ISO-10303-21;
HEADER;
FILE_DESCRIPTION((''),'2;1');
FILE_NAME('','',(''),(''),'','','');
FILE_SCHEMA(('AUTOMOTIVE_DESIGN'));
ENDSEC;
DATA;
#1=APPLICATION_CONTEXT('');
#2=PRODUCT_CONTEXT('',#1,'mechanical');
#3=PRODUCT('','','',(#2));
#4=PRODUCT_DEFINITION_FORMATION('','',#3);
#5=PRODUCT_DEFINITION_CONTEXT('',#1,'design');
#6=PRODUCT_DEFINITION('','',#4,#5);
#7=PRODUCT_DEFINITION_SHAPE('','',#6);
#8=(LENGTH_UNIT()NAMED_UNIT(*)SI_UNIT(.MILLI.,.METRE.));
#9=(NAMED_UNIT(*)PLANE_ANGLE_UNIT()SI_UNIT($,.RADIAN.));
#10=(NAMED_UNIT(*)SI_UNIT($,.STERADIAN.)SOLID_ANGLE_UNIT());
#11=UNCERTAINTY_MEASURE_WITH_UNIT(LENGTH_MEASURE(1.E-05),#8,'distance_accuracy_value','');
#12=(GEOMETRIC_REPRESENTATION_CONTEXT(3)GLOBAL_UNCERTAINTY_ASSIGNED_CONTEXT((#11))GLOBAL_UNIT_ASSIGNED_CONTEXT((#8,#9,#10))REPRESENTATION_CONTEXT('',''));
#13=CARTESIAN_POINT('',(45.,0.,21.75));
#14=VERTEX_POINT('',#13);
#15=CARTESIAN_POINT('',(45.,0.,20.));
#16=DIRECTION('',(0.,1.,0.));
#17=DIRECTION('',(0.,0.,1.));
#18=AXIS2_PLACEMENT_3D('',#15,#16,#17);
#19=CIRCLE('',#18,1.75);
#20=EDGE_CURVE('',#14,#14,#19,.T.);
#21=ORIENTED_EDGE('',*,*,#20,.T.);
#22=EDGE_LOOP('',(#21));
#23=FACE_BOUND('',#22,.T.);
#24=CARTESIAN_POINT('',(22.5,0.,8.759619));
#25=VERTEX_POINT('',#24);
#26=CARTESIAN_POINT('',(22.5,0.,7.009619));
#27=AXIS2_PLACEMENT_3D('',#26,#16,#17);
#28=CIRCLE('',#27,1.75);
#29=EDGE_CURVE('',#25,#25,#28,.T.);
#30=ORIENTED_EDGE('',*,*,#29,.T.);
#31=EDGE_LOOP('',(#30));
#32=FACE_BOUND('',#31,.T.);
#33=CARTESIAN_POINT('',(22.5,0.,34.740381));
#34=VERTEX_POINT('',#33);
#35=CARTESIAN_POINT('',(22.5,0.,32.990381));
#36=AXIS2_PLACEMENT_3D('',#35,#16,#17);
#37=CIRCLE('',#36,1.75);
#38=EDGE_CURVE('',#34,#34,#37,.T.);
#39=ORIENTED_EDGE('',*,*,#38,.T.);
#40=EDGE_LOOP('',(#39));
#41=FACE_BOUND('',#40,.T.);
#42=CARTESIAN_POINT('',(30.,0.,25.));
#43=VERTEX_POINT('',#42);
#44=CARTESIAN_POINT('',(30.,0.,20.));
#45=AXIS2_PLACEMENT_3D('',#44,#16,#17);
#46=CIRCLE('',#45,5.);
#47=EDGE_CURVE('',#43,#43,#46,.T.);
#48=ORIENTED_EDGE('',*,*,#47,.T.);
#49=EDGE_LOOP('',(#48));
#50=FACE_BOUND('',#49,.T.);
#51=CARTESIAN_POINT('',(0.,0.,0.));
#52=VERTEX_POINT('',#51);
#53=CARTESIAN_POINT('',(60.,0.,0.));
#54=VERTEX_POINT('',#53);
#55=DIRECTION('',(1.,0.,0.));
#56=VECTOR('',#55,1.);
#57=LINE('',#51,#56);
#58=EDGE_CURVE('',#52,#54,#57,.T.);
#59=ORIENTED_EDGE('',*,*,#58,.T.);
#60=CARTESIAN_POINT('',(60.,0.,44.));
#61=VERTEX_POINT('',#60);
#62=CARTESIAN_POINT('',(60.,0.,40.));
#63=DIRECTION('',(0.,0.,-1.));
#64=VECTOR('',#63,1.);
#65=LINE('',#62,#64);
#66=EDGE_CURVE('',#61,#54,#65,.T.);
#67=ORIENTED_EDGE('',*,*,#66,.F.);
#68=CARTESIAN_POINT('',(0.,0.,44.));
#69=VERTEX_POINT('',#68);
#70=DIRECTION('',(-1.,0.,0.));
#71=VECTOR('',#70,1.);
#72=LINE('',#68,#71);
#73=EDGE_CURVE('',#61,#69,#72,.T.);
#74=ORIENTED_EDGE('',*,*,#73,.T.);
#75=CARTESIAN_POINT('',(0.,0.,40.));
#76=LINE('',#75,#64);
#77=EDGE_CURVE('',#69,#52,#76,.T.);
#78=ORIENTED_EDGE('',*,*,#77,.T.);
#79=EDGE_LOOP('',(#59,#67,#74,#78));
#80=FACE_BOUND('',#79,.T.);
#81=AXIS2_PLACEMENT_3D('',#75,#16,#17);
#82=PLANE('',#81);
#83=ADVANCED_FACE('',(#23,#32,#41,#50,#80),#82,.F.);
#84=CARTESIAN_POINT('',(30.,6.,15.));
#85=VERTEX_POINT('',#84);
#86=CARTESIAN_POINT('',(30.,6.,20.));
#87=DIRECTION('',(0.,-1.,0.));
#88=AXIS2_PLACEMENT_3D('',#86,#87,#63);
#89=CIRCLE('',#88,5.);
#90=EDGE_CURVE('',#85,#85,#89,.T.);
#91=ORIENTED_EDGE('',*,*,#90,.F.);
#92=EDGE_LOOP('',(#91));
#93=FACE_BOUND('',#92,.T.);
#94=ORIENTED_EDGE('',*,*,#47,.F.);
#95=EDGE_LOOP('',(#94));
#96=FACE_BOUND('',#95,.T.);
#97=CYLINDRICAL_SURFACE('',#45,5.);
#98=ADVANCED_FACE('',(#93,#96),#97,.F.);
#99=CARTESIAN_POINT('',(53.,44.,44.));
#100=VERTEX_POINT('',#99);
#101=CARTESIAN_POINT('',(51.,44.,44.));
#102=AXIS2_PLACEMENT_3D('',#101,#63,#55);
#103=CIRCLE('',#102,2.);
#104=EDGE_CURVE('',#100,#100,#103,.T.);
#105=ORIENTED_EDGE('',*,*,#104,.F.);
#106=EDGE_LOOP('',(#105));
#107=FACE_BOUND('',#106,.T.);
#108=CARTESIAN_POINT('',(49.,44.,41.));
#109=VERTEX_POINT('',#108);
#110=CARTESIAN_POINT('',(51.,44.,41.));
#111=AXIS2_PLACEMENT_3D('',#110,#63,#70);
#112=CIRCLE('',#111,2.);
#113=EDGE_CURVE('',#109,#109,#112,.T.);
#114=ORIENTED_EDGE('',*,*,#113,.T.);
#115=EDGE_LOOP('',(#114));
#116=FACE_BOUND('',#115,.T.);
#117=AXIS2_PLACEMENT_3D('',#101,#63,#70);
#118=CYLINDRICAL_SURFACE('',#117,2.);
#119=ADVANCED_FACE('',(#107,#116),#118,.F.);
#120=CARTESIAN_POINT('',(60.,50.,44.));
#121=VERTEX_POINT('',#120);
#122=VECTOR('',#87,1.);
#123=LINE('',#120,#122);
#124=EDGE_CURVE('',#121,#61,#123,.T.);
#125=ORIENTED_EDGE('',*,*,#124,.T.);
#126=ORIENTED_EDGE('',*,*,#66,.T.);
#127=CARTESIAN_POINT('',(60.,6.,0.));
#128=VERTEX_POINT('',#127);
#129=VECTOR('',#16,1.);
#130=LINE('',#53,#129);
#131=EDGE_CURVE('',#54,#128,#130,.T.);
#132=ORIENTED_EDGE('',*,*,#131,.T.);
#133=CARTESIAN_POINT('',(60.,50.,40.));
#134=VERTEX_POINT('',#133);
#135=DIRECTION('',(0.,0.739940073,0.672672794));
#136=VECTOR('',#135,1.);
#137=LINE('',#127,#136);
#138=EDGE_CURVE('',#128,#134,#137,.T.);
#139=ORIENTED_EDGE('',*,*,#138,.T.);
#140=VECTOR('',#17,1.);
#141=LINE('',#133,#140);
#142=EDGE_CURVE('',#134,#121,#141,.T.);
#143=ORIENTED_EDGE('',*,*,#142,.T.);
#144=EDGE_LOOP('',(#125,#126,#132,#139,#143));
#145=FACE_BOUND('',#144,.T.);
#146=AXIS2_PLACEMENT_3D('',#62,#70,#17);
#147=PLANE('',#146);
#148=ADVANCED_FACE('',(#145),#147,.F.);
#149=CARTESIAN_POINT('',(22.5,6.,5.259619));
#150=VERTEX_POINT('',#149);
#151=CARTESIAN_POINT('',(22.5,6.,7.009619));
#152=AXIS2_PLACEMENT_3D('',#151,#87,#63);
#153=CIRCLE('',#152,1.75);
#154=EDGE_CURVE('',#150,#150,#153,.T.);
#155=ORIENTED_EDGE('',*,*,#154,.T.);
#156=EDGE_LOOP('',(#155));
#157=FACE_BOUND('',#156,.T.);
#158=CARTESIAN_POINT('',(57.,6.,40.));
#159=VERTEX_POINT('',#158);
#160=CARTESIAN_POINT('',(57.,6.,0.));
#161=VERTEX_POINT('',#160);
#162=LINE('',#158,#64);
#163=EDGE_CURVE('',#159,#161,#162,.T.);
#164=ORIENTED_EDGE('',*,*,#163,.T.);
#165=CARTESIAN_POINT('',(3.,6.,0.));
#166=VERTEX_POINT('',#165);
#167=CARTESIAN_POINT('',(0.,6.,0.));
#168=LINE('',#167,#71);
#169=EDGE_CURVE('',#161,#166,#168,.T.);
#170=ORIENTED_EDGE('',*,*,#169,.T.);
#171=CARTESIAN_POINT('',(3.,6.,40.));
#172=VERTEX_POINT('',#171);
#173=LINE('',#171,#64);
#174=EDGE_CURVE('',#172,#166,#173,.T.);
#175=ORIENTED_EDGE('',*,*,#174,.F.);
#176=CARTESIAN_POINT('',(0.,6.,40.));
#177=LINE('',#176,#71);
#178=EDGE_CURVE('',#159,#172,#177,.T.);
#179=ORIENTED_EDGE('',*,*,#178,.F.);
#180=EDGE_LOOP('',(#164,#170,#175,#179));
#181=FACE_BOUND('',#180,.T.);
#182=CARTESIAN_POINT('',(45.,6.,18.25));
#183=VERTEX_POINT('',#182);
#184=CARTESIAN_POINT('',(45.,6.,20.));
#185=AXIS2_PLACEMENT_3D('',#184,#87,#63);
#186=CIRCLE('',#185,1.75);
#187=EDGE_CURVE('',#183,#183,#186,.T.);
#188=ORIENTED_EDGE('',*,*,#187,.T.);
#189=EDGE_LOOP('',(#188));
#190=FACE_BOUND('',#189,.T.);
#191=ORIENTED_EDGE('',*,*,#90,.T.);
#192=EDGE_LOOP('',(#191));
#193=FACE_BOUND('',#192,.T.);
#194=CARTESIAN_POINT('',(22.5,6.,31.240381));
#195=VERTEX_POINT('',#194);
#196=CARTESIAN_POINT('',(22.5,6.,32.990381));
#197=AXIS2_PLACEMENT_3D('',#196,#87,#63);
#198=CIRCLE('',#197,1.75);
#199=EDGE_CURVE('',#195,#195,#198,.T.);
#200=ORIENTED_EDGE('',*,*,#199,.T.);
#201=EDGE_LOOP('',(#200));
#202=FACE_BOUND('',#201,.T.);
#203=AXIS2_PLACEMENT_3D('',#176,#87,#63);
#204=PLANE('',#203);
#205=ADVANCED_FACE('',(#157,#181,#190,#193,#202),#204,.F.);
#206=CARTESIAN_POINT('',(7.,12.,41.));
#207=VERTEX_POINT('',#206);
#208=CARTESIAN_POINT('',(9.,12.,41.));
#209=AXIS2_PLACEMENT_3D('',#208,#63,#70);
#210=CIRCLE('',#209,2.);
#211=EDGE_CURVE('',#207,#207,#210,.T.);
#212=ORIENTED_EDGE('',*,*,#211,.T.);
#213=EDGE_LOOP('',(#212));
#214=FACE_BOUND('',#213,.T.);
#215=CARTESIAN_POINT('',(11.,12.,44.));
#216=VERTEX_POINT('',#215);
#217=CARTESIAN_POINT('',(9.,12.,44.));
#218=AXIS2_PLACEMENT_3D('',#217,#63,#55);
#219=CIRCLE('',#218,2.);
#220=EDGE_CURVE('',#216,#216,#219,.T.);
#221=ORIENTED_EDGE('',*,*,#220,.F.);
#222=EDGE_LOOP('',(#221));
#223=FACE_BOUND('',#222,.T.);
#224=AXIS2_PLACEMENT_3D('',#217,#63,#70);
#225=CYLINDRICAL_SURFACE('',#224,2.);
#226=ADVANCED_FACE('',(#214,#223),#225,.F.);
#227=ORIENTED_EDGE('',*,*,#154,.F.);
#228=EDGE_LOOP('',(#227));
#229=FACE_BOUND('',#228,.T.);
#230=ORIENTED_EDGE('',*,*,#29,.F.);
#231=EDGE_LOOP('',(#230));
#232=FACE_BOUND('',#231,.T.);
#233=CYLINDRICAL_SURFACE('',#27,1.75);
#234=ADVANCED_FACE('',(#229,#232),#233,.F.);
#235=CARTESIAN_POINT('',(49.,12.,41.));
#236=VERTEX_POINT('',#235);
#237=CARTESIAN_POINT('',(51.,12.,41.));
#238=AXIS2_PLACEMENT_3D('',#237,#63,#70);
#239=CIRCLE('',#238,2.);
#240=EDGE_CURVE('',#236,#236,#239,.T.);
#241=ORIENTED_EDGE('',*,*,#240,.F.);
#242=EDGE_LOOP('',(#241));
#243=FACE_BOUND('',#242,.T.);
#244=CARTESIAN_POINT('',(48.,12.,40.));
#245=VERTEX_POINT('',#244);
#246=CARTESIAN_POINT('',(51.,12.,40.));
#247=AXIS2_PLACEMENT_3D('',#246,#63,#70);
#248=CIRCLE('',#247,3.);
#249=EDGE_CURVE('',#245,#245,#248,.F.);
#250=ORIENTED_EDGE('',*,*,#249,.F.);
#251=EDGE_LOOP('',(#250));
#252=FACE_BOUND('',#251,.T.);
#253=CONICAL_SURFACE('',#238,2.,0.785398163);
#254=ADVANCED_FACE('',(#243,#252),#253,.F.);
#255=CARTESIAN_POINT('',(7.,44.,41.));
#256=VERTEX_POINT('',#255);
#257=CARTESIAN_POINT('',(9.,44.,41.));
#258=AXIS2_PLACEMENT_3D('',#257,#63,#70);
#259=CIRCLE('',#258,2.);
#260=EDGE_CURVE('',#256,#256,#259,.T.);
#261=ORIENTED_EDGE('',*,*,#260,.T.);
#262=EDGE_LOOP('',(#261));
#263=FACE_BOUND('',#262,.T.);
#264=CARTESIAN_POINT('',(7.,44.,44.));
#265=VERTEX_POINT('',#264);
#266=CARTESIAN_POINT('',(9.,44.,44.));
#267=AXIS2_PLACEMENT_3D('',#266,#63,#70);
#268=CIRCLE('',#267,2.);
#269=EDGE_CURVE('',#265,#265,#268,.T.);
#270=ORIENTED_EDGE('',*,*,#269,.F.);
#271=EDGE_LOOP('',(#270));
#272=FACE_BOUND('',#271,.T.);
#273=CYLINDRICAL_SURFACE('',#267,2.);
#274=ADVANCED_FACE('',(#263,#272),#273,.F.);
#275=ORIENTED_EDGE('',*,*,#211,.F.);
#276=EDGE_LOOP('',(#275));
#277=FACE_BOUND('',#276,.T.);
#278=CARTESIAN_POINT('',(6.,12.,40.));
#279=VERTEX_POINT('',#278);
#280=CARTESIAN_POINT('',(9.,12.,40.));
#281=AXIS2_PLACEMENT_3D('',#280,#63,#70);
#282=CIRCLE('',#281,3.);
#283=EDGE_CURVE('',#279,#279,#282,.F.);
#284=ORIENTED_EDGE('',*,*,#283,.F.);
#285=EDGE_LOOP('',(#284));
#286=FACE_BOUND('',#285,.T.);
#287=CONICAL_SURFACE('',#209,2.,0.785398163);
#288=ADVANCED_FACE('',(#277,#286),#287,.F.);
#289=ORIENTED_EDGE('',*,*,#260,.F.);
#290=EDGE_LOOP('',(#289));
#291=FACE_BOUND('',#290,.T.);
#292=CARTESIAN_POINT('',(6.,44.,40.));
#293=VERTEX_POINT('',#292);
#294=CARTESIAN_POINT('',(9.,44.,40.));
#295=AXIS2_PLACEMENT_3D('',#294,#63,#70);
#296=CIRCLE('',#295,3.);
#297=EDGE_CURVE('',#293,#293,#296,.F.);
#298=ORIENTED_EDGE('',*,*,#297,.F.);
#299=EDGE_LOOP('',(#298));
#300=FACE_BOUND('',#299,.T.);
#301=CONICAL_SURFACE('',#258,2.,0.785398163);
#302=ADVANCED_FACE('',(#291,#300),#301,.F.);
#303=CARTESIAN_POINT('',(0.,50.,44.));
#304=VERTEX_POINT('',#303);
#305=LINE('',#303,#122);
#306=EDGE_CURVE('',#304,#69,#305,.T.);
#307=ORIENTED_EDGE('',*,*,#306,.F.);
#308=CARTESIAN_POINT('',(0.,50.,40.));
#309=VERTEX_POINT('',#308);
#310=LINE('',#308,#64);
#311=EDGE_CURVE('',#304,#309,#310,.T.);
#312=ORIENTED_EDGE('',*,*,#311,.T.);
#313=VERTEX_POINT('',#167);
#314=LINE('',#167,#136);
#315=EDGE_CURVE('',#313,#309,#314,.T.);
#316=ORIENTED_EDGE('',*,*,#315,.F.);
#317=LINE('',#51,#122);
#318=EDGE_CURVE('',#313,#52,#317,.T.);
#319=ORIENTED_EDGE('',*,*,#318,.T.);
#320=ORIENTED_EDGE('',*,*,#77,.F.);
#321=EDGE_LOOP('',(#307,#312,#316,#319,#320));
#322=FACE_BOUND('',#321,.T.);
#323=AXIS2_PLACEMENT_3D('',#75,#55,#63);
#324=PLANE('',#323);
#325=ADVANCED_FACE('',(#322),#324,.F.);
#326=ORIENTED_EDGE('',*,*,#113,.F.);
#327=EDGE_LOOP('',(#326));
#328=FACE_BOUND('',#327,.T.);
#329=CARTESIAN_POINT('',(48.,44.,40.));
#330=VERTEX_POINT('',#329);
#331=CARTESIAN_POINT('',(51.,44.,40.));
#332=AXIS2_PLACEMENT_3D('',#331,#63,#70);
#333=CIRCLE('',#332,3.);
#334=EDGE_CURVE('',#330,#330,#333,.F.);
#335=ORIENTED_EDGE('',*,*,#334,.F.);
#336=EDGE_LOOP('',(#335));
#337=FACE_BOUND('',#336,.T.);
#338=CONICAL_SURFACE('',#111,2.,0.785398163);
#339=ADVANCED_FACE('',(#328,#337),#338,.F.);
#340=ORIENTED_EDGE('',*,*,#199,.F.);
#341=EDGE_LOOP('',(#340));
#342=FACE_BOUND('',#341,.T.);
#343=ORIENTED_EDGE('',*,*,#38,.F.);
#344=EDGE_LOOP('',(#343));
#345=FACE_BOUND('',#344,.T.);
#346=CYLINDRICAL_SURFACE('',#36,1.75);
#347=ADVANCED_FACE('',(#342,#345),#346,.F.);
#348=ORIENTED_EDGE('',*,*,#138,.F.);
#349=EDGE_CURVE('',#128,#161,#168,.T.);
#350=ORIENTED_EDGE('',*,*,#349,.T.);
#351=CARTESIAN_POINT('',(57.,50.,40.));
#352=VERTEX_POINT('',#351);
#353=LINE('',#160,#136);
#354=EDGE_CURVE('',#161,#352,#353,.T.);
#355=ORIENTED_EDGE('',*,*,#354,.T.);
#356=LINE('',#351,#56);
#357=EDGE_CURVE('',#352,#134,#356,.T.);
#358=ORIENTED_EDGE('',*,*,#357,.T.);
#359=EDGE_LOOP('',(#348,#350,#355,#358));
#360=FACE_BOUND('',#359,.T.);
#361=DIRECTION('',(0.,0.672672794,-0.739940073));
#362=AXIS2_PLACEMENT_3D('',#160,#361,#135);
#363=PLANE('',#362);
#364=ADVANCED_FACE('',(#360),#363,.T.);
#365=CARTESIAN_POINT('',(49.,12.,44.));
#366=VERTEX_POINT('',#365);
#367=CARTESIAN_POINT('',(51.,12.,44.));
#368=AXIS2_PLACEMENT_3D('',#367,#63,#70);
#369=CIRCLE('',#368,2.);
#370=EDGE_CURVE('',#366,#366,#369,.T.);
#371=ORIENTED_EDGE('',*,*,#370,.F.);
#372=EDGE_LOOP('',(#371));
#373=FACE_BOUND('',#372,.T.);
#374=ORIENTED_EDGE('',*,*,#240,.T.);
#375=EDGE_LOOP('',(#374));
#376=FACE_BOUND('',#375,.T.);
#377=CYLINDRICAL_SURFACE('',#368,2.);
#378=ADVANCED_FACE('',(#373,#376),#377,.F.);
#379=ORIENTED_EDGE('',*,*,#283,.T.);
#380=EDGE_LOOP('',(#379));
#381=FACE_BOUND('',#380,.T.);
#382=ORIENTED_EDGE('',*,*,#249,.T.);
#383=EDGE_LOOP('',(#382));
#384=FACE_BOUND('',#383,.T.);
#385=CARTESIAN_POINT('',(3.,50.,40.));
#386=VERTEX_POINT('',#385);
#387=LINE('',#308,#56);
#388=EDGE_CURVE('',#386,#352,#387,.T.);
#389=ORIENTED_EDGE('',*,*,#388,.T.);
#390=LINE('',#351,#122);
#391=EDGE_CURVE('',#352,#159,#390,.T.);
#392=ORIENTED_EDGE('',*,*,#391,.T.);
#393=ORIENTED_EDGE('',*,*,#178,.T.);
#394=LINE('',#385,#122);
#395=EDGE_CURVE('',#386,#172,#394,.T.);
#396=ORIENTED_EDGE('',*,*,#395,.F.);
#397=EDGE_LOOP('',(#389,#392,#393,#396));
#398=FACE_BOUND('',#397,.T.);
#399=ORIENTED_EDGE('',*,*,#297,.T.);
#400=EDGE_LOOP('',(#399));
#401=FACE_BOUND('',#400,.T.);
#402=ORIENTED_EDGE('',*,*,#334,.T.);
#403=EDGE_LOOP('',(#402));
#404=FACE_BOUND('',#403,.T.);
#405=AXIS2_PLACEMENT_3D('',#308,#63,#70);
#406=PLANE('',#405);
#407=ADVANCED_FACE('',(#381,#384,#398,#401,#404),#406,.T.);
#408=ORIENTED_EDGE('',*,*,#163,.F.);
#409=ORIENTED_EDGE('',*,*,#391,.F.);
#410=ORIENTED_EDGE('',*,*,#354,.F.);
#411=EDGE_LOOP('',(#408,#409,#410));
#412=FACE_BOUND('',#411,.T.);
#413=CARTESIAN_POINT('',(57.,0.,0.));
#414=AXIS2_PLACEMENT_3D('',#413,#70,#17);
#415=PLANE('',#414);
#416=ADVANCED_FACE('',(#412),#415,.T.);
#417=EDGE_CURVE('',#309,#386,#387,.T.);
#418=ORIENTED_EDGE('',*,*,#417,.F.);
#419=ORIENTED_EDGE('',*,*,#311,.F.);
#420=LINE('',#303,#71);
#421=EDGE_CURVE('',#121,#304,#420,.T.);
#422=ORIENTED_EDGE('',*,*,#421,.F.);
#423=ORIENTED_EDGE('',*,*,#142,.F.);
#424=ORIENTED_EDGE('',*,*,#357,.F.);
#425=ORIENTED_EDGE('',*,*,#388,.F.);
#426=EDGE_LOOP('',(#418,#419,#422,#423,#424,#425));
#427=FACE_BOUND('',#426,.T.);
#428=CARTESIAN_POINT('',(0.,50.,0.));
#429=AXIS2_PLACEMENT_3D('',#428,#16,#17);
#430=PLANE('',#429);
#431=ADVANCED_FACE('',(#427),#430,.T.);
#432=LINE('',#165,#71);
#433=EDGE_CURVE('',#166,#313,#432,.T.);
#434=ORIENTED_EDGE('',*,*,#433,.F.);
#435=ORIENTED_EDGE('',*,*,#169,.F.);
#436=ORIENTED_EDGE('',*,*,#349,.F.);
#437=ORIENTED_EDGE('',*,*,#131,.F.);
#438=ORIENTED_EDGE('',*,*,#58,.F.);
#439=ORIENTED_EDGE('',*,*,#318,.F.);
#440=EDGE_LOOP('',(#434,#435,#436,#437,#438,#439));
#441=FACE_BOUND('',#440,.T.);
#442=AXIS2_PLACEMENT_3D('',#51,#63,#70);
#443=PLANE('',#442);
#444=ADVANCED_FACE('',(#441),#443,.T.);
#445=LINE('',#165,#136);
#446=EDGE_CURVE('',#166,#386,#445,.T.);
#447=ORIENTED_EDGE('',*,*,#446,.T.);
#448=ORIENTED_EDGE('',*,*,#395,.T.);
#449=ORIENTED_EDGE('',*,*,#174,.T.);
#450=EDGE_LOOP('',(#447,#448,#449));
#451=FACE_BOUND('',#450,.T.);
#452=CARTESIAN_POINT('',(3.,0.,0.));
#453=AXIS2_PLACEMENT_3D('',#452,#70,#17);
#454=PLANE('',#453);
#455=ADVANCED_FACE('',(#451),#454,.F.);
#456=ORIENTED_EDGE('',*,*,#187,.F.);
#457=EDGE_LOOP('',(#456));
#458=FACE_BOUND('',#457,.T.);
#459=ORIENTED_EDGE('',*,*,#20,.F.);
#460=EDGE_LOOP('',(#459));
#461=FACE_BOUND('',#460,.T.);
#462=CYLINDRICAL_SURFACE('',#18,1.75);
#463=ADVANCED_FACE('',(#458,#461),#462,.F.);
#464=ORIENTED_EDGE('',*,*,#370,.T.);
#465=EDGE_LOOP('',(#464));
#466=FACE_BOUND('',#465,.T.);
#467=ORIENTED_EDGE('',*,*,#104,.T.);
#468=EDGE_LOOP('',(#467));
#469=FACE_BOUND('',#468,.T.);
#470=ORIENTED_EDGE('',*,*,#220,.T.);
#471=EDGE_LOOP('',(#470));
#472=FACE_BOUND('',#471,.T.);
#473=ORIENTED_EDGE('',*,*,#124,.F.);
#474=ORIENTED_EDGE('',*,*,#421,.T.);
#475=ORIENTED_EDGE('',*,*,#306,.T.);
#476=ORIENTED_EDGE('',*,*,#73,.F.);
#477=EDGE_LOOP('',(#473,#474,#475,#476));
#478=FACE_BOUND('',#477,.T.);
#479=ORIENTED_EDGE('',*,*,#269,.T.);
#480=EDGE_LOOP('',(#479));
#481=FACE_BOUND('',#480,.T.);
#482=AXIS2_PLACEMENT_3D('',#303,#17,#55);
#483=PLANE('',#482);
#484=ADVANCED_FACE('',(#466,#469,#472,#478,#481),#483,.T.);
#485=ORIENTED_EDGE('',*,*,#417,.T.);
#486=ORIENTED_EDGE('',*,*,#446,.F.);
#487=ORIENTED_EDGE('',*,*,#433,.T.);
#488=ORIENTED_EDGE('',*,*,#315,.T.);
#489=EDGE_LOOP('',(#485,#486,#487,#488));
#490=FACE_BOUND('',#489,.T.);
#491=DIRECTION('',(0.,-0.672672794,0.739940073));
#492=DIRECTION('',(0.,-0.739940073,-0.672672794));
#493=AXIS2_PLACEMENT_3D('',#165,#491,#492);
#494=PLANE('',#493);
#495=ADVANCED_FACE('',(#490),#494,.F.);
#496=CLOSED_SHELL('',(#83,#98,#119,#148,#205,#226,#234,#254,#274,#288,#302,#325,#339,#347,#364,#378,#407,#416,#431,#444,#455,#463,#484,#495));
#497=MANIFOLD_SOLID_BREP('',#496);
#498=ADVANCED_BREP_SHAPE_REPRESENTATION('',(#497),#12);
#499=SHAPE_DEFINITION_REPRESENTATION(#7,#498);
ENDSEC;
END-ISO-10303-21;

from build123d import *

# Parameters (mm, degrees)
ESQUISSE1_W                  = 60
ESQUISSE1_H                  = 6
BOSS_EXTRU_1_DEPTH           = 40
ENL_V_MAT_EXTRU_1_DEPTH      = 73.360210061
ENL_V_MAT_EXTRU_1_DEPTH_BACK = 73.360210061
ESQUISSE2_R                  = 5
ENL_V_MAT_EXTRU_3_DEPTH      = 73.360210061
ENL_V_MAT_EXTRU_3_DEPTH_BACK = 73.360210061
ESQUISSE4_R                  = 1.75
ESQUISSE7_W                  = 60
ESQUISSE7_H                  = 4
BOSS_EXTRU_2_DEPTH           = 50
BOSS_EXTRU_3_DEPTH           = 3
BOSS_EXTRU_4_START           = -60
BOSS_EXTRU_4_DEPTH           = 3
ENL_V_MAT_EXTRU_4_DEPTH      = 88.749643874
ENL_V_MAT_EXTRU_4_DEPTH_BACK = 88.749643874
ESQUISSE9_R                  = 2
CHANFREIN1_SIZE              = 1


with BuildPart() as part:
    # Esquisse1 → Boss.-Extru.1 (new body)
    with BuildSketch(Plane.XY):
        with Locations((30, 3)):
            Rectangle(ESQUISSE1_W, ESQUISSE1_H)
    extrude(amount=BOSS_EXTRU_1_DEPTH)

    # Esquisse2 → Enlèv. mat.-Extru.1 (cut, two sides: drawn at the far end of the back side and taken through both)
    with BuildSketch(Plane(origin=(0, 6, 0), x_dir=(1, 0, 0), z_dir=(0, 1, 0)).offset(-ENL_V_MAT_EXTRU_1_DEPTH_BACK)):
        with Locations(Location((30, -20, 0), (0, 0, 270))):
            Circle(ESQUISSE2_R)
    extrude(amount=ENL_V_MAT_EXTRU_1_DEPTH + ENL_V_MAT_EXTRU_1_DEPTH_BACK, mode=Mode.SUBTRACT)

    # Esquisse4 → Enlèv. mat.-Extru.3 (cut, two sides: drawn at the far end of the back side and taken through both)
    with BuildSketch(Plane(origin=(0, 6, 0), x_dir=(1, 0, 0), z_dir=(0, 1, 0)).offset(-ENL_V_MAT_EXTRU_3_DEPTH_BACK)):
        with Locations(Location((45, -20, 0), (0, 0, 270))):
            Circle(ESQUISSE4_R)
        with Locations(Location((22.5, -32.990381057, 0), (0, 0, 270))):
            Circle(ESQUISSE4_R)
        with Locations(Location((22.5, -7.009618943, 0), (0, 0, 270))):
            Circle(ESQUISSE4_R)
    extrude(amount=ENL_V_MAT_EXTRU_3_DEPTH + ENL_V_MAT_EXTRU_3_DEPTH_BACK, mode=Mode.SUBTRACT)

    # Esquisse7 → Boss.-Extru.2 (add)
    with BuildSketch(Plane.XZ):
        with Locations((30, 42)):
            Rectangle(ESQUISSE7_W, ESQUISSE7_H)
    extrude(amount=-BOSS_EXTRU_2_DEPTH)

    # Esquisse8 → Boss.-Extru.3 (add)
    with BuildSketch(Plane(origin=(60, 0, 0), x_dir=(0, 0, -1), z_dir=(1, 0, 0))):
        Polygon((0, 6), (-40, 50), (-40, 6), align=None)
    extrude(amount=-BOSS_EXTRU_3_DEPTH)

    # Esquisse8<2> → Boss.-Extru.4 (add)
    with BuildSketch(Plane(origin=(60, 0, 0), x_dir=(0, 0, -1), z_dir=(1, 0, 0)).offset(BOSS_EXTRU_4_START)):
        Polygon((0, 6), (-40, 50), (-40, 6), align=None)
    extrude(amount=BOSS_EXTRU_4_DEPTH)

    # Esquisse9 → Enlèv. mat.-Extru.4 (cut, two sides: drawn at the far end of the back side and taken through both)
    with BuildSketch(Plane(origin=(0, 0, 40), x_dir=(-1, 0, 0), z_dir=(0, 0, -1)).offset(-ENL_V_MAT_EXTRU_4_DEPTH_BACK)):
        with Locations((-51, 12)):
            Circle(ESQUISSE9_R)
        with Locations((-51, 44)):
            Circle(ESQUISSE9_R)
        with Locations((-9, 44)):
            Circle(ESQUISSE9_R)
        with Locations((-9, 12)):
            Circle(ESQUISSE9_R)
    extrude(amount=ENL_V_MAT_EXTRU_4_DEPTH + ENL_V_MAT_EXTRU_4_DEPTH_BACK, mode=Mode.SUBTRACT)

    # Chanfrein1
    chanfrein1_edges = [part.edges().sort_by_distance(p)[0] for p in [
        (11, 12, 40),
        (11, 44, 40),
        (53, 44, 40),
        (53, 12, 40),
    ]]
    chamfer(chanfrein1_edges, length=CHANFREIN1_SIZE)


solid = part.part
